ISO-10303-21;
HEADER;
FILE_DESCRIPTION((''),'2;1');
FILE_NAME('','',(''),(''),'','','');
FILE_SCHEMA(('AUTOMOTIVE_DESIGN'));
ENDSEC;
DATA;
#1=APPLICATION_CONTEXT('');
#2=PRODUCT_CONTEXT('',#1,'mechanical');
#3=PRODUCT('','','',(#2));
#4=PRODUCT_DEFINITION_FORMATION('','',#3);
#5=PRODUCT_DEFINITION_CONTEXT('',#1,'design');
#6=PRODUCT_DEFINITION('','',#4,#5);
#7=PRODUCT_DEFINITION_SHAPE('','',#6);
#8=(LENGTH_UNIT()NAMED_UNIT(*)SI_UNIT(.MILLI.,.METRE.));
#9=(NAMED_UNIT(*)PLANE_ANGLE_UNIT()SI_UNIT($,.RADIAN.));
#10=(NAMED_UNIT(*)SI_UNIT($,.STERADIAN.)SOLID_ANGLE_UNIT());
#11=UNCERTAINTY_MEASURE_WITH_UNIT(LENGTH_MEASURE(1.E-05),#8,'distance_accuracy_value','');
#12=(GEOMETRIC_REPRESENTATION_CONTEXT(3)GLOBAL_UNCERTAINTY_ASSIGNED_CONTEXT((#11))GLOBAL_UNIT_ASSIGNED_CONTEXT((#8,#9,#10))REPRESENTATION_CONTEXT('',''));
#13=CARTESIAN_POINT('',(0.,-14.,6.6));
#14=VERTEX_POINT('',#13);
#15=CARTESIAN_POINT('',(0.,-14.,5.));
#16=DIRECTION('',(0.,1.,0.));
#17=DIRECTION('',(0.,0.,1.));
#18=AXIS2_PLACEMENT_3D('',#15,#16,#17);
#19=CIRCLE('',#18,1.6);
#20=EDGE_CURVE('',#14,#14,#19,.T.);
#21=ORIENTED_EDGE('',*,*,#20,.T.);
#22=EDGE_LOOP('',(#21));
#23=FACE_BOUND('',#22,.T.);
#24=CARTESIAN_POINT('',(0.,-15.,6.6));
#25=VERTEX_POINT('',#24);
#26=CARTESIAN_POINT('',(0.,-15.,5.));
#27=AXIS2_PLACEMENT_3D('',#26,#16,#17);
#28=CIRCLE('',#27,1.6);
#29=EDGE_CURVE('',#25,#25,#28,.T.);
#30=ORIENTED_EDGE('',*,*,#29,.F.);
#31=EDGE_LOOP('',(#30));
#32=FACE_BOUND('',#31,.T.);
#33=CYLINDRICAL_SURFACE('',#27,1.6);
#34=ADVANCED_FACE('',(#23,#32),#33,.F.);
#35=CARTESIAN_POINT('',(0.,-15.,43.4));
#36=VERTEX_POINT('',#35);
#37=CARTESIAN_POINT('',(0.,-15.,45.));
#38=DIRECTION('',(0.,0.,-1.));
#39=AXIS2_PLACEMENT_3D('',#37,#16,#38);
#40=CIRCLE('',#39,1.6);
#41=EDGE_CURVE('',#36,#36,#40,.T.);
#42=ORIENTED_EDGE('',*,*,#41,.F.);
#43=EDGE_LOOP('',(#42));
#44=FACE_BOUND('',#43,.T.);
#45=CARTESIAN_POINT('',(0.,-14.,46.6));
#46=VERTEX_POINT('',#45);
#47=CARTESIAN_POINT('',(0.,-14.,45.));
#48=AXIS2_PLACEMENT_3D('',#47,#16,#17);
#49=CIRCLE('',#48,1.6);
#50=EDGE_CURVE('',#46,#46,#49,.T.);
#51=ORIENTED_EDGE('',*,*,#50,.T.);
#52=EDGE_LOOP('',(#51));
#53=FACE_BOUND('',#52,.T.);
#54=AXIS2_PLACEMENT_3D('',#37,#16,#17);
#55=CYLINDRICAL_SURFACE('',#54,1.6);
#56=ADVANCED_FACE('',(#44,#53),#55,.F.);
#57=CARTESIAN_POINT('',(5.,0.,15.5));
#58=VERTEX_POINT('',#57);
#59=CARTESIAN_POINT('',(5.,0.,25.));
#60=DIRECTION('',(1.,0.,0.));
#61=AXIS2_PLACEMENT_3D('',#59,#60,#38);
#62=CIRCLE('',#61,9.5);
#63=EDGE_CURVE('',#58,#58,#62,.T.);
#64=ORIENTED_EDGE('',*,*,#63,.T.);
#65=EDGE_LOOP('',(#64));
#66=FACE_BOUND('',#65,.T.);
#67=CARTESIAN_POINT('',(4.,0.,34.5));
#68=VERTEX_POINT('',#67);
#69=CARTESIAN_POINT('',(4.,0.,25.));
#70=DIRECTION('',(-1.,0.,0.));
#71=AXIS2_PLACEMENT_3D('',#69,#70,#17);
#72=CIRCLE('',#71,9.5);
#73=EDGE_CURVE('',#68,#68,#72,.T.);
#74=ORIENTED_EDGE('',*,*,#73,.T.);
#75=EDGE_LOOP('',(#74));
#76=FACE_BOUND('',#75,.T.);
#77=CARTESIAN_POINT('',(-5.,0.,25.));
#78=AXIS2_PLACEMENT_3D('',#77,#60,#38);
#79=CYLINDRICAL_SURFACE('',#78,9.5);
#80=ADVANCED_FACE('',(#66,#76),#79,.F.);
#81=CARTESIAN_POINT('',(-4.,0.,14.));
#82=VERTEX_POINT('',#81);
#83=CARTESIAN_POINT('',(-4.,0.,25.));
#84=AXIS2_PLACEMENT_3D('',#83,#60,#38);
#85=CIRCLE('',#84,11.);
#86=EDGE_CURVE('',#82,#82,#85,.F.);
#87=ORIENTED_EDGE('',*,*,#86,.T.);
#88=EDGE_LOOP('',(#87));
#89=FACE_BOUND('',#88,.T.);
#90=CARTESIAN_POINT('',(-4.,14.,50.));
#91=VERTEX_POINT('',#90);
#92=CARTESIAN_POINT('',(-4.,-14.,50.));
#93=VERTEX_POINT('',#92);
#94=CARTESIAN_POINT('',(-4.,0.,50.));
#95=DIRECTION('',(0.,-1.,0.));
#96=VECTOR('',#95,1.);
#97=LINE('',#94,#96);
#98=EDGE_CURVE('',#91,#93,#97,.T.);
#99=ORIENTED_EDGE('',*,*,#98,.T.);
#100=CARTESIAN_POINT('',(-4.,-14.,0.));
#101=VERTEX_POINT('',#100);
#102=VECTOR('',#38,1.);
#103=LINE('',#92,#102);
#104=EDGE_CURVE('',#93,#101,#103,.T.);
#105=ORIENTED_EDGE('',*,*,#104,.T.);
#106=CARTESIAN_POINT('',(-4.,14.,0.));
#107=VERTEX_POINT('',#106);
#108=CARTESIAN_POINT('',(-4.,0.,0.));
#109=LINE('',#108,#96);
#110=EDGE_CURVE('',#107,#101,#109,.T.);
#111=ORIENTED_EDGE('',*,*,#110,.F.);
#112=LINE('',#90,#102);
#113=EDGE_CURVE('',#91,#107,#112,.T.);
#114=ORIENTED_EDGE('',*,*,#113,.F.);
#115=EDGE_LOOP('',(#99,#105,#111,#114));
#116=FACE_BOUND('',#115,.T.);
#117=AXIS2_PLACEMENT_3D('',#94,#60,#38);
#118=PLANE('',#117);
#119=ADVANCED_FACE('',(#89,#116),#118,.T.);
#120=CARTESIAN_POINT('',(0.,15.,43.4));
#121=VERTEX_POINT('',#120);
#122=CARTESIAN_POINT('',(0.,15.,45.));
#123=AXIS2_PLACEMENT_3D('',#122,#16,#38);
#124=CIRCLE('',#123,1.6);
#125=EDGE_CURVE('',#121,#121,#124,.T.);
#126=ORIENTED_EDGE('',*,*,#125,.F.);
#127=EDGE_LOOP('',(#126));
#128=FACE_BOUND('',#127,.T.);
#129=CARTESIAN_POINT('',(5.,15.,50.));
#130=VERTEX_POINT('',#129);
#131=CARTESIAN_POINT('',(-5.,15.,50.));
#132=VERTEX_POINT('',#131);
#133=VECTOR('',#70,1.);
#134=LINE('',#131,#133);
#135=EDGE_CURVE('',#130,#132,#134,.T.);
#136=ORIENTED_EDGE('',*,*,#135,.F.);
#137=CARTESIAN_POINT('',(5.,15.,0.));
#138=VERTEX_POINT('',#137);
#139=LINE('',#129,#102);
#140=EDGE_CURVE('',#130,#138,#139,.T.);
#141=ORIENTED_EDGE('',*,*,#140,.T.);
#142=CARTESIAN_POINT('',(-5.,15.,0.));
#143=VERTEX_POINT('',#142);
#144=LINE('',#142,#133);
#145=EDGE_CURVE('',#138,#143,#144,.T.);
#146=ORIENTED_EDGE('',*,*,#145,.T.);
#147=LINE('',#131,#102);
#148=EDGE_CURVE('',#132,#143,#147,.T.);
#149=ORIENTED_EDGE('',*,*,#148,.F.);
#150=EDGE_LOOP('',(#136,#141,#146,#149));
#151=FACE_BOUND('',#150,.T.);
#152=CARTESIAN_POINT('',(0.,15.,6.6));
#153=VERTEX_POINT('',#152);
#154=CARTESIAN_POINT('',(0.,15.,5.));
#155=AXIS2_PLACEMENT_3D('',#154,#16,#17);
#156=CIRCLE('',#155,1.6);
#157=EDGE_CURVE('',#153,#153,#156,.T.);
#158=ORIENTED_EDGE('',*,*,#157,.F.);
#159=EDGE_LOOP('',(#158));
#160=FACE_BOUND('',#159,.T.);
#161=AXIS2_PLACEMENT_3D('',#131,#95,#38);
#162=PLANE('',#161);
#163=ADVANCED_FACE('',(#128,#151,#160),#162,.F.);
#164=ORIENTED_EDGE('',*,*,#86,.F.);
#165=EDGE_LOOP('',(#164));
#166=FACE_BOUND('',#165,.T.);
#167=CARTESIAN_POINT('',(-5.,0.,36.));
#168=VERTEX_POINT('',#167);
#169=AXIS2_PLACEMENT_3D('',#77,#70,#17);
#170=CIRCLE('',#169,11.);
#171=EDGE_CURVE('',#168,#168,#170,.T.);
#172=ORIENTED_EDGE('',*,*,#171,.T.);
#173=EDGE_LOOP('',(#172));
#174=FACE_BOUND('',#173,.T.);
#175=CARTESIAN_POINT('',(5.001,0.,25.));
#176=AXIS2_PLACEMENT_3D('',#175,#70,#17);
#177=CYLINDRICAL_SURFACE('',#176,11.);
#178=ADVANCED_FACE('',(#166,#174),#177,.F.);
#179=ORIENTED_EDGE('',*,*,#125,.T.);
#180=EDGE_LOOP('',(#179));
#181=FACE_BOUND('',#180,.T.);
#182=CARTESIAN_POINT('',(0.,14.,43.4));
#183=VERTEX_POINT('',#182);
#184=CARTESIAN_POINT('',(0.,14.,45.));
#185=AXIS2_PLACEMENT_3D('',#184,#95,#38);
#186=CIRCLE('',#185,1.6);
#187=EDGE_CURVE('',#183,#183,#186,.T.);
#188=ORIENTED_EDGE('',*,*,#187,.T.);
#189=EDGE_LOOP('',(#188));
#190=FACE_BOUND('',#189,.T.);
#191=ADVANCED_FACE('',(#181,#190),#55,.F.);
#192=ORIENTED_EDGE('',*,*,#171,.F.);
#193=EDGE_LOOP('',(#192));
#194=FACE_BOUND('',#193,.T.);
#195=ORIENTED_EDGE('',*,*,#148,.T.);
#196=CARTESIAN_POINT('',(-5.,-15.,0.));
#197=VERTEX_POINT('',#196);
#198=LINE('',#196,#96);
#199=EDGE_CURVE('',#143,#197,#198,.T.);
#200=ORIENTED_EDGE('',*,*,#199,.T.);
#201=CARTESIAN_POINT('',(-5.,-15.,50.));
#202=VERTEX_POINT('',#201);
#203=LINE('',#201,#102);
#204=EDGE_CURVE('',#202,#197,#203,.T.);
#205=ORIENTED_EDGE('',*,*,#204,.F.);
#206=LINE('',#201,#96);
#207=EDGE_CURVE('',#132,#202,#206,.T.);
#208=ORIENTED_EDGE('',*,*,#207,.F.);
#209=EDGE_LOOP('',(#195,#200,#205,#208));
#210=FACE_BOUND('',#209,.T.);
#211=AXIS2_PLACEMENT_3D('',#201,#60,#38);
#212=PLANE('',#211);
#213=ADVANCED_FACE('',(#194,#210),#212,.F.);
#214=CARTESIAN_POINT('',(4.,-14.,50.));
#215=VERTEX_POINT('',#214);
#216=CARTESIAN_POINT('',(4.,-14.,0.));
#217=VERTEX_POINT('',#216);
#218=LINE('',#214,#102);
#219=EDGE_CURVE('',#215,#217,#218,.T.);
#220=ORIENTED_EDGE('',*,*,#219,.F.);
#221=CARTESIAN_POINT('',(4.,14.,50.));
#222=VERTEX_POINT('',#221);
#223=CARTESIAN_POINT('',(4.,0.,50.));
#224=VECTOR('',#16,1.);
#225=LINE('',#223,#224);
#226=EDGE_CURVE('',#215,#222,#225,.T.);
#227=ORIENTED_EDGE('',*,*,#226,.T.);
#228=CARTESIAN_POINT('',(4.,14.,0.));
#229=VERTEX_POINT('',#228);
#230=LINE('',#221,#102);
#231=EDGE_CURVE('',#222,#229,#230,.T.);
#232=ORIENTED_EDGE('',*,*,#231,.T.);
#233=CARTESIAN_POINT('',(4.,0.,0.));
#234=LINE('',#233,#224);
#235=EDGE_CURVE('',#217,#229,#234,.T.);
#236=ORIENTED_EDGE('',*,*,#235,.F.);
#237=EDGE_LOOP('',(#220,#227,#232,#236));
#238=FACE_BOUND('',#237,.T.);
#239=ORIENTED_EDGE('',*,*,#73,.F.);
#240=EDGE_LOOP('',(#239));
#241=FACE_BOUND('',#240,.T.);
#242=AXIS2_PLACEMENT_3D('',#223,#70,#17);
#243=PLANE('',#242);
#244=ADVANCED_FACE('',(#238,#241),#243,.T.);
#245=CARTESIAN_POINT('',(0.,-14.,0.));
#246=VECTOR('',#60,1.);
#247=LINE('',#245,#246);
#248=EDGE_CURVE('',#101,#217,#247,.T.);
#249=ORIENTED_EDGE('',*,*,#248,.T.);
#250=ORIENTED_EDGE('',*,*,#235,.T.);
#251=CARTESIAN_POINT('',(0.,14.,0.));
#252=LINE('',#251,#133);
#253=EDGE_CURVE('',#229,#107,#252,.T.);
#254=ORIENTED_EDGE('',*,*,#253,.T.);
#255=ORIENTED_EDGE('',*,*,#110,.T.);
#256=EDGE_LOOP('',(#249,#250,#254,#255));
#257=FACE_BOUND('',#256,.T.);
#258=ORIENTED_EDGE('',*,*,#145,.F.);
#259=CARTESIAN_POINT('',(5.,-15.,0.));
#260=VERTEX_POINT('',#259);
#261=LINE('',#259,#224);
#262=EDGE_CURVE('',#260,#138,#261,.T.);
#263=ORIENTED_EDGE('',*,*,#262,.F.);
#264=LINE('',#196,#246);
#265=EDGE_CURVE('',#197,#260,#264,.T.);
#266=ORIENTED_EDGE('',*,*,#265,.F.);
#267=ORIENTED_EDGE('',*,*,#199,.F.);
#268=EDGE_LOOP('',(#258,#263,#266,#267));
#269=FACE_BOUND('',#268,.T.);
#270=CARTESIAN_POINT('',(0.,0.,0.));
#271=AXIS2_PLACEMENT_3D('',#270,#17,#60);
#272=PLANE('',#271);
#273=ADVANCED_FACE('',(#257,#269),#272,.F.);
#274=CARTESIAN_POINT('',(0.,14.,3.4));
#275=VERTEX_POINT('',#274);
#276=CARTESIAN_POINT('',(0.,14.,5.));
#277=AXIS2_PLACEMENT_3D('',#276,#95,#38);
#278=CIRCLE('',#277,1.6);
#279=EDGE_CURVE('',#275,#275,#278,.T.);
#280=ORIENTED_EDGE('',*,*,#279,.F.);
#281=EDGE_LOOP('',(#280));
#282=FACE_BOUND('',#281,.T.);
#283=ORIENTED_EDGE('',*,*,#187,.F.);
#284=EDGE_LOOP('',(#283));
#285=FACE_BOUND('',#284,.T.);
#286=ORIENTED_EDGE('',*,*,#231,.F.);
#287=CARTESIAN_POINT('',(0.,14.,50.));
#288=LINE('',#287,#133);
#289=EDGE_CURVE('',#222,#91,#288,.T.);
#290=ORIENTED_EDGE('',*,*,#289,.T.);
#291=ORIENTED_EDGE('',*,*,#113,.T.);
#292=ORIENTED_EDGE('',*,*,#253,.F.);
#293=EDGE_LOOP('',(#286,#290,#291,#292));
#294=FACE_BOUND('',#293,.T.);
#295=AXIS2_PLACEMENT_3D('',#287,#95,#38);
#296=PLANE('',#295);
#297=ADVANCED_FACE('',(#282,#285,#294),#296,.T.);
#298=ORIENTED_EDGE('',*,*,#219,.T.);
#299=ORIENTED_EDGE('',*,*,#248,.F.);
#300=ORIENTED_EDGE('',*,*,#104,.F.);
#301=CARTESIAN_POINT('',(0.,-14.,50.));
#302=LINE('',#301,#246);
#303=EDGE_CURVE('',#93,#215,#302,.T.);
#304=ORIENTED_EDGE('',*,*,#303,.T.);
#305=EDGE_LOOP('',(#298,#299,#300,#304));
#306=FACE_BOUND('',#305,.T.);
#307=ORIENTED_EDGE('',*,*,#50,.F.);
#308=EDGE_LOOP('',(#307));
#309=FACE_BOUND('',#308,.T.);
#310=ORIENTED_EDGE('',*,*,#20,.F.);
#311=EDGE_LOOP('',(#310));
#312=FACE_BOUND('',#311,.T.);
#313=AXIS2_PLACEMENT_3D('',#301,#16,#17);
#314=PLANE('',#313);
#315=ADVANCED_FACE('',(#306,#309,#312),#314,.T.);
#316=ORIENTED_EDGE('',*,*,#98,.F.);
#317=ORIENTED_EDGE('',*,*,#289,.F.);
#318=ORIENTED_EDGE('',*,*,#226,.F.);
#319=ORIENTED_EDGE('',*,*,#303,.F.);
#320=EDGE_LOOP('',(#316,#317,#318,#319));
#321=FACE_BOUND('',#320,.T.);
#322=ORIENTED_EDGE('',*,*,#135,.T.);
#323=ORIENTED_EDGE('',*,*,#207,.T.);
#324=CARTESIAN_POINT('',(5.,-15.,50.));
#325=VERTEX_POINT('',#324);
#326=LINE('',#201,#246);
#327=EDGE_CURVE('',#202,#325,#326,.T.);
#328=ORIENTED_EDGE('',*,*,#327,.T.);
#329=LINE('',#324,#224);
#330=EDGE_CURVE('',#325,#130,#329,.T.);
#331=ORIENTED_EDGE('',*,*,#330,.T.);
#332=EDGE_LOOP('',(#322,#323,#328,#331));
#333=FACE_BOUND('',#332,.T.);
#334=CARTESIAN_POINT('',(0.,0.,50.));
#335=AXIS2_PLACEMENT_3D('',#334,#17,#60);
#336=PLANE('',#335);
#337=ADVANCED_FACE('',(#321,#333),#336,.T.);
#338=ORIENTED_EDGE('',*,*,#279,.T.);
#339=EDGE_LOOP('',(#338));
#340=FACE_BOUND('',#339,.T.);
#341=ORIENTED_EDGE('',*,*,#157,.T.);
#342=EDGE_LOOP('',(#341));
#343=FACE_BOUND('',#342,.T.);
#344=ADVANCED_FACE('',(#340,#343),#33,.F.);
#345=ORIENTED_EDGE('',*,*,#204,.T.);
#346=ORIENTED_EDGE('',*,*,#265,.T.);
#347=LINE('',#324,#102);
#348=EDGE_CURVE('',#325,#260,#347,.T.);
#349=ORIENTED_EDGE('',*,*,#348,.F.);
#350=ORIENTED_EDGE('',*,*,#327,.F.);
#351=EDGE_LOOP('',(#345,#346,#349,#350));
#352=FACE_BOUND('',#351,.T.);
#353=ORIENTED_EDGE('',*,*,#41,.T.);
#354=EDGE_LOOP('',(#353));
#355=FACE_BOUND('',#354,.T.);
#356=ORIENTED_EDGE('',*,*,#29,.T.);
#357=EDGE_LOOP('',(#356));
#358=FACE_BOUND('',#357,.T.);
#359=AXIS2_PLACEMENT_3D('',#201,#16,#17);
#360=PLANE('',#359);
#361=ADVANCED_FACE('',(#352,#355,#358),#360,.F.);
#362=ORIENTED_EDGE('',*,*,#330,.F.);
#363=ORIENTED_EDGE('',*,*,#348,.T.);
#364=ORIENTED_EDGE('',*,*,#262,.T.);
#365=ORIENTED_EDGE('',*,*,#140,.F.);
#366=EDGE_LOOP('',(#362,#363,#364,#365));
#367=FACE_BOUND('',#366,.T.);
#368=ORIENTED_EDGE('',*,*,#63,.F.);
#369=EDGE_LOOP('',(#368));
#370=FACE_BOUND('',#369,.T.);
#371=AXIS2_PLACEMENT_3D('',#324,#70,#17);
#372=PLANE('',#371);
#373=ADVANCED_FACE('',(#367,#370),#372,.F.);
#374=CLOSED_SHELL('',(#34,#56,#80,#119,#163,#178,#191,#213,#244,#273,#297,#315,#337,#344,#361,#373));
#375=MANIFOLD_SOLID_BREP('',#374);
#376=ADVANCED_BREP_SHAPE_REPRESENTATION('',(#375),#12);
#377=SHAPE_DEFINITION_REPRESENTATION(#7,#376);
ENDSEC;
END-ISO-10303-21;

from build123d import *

# Parameters (mm, degrees)
SKETCH_289_W           = 10
SKETCH_289_H           = 30
SKETCH_289_W_2         = 8
SKETCH_289_H_2         = 28
EXTRUDE_359_DEPTH      = 50
SKETCH_433_R           = 1.6
CUT_EXTRUDE_966_DEPTH  = 59.523499554
SKETCH_661_R           = 9.5
CUT_EXTRUDE_1010_DEPTH = 54.150729064
CUT_EXTRUDE_1_REACH    = 55.151
SKETCH_1_R             = 11


with BuildPart() as part:
    # Sketch 289 → Extrude 359 (new body)
    with BuildSketch(Plane.XY):
        Rectangle(SKETCH_289_W, SKETCH_289_H)
        Rectangle(SKETCH_289_W_2, SKETCH_289_H_2, mode=Mode.SUBTRACT)
    extrude(amount=EXTRUDE_359_DEPTH)

    # Sketch 433 → Cut-Extrude 966 (cut, through all)
    with BuildSketch(Plane(origin=(0, 15, 0), x_dir=(1, 0, 0), z_dir=(0, 1, 0))):
        with Locations(Location((0, -5, 0), (0, 0, 270))):
            Circle(SKETCH_433_R)
        with Locations(Location((0, -45, 0), (0, 0, 270))):
            Circle(SKETCH_433_R)
    extrude(amount=-CUT_EXTRUDE_966_DEPTH, mode=Mode.SUBTRACT)

    # Sketch 661 → Cut-Extrude 1010 (cut, through all)
    with BuildSketch(Plane(origin=(5, 0, 0), x_dir=(0, 0, -1), z_dir=(1, 0, 0))):
        with Locations((-25, 0)):
            Circle(SKETCH_661_R)
    extrude(amount=-CUT_EXTRUDE_1010_DEPTH, mode=Mode.SUBTRACT)

    # ｽｹｯﾁ1 → ｶｯﾄ - 押し出し1 (cut, up to next)
    with BuildSketch(Plane.ZY.offset(5), mode=Mode.PRIVATE) as cut_extrude_1_sk1:
        with Locations((25, 0)):
            Circle(SKETCH_1_R)
    cut_extrude_1_tool1 = extrude(cut_extrude_1_sk1.sketch, amount=-CUT_EXTRUDE_1_REACH, mode=Mode.PRIVATE) & part.part
    add(cut_extrude_1_tool1.solids().sort_by_distance((-5, 0, 25))[0], mode=Mode.SUBTRACT)


solid = part.part
